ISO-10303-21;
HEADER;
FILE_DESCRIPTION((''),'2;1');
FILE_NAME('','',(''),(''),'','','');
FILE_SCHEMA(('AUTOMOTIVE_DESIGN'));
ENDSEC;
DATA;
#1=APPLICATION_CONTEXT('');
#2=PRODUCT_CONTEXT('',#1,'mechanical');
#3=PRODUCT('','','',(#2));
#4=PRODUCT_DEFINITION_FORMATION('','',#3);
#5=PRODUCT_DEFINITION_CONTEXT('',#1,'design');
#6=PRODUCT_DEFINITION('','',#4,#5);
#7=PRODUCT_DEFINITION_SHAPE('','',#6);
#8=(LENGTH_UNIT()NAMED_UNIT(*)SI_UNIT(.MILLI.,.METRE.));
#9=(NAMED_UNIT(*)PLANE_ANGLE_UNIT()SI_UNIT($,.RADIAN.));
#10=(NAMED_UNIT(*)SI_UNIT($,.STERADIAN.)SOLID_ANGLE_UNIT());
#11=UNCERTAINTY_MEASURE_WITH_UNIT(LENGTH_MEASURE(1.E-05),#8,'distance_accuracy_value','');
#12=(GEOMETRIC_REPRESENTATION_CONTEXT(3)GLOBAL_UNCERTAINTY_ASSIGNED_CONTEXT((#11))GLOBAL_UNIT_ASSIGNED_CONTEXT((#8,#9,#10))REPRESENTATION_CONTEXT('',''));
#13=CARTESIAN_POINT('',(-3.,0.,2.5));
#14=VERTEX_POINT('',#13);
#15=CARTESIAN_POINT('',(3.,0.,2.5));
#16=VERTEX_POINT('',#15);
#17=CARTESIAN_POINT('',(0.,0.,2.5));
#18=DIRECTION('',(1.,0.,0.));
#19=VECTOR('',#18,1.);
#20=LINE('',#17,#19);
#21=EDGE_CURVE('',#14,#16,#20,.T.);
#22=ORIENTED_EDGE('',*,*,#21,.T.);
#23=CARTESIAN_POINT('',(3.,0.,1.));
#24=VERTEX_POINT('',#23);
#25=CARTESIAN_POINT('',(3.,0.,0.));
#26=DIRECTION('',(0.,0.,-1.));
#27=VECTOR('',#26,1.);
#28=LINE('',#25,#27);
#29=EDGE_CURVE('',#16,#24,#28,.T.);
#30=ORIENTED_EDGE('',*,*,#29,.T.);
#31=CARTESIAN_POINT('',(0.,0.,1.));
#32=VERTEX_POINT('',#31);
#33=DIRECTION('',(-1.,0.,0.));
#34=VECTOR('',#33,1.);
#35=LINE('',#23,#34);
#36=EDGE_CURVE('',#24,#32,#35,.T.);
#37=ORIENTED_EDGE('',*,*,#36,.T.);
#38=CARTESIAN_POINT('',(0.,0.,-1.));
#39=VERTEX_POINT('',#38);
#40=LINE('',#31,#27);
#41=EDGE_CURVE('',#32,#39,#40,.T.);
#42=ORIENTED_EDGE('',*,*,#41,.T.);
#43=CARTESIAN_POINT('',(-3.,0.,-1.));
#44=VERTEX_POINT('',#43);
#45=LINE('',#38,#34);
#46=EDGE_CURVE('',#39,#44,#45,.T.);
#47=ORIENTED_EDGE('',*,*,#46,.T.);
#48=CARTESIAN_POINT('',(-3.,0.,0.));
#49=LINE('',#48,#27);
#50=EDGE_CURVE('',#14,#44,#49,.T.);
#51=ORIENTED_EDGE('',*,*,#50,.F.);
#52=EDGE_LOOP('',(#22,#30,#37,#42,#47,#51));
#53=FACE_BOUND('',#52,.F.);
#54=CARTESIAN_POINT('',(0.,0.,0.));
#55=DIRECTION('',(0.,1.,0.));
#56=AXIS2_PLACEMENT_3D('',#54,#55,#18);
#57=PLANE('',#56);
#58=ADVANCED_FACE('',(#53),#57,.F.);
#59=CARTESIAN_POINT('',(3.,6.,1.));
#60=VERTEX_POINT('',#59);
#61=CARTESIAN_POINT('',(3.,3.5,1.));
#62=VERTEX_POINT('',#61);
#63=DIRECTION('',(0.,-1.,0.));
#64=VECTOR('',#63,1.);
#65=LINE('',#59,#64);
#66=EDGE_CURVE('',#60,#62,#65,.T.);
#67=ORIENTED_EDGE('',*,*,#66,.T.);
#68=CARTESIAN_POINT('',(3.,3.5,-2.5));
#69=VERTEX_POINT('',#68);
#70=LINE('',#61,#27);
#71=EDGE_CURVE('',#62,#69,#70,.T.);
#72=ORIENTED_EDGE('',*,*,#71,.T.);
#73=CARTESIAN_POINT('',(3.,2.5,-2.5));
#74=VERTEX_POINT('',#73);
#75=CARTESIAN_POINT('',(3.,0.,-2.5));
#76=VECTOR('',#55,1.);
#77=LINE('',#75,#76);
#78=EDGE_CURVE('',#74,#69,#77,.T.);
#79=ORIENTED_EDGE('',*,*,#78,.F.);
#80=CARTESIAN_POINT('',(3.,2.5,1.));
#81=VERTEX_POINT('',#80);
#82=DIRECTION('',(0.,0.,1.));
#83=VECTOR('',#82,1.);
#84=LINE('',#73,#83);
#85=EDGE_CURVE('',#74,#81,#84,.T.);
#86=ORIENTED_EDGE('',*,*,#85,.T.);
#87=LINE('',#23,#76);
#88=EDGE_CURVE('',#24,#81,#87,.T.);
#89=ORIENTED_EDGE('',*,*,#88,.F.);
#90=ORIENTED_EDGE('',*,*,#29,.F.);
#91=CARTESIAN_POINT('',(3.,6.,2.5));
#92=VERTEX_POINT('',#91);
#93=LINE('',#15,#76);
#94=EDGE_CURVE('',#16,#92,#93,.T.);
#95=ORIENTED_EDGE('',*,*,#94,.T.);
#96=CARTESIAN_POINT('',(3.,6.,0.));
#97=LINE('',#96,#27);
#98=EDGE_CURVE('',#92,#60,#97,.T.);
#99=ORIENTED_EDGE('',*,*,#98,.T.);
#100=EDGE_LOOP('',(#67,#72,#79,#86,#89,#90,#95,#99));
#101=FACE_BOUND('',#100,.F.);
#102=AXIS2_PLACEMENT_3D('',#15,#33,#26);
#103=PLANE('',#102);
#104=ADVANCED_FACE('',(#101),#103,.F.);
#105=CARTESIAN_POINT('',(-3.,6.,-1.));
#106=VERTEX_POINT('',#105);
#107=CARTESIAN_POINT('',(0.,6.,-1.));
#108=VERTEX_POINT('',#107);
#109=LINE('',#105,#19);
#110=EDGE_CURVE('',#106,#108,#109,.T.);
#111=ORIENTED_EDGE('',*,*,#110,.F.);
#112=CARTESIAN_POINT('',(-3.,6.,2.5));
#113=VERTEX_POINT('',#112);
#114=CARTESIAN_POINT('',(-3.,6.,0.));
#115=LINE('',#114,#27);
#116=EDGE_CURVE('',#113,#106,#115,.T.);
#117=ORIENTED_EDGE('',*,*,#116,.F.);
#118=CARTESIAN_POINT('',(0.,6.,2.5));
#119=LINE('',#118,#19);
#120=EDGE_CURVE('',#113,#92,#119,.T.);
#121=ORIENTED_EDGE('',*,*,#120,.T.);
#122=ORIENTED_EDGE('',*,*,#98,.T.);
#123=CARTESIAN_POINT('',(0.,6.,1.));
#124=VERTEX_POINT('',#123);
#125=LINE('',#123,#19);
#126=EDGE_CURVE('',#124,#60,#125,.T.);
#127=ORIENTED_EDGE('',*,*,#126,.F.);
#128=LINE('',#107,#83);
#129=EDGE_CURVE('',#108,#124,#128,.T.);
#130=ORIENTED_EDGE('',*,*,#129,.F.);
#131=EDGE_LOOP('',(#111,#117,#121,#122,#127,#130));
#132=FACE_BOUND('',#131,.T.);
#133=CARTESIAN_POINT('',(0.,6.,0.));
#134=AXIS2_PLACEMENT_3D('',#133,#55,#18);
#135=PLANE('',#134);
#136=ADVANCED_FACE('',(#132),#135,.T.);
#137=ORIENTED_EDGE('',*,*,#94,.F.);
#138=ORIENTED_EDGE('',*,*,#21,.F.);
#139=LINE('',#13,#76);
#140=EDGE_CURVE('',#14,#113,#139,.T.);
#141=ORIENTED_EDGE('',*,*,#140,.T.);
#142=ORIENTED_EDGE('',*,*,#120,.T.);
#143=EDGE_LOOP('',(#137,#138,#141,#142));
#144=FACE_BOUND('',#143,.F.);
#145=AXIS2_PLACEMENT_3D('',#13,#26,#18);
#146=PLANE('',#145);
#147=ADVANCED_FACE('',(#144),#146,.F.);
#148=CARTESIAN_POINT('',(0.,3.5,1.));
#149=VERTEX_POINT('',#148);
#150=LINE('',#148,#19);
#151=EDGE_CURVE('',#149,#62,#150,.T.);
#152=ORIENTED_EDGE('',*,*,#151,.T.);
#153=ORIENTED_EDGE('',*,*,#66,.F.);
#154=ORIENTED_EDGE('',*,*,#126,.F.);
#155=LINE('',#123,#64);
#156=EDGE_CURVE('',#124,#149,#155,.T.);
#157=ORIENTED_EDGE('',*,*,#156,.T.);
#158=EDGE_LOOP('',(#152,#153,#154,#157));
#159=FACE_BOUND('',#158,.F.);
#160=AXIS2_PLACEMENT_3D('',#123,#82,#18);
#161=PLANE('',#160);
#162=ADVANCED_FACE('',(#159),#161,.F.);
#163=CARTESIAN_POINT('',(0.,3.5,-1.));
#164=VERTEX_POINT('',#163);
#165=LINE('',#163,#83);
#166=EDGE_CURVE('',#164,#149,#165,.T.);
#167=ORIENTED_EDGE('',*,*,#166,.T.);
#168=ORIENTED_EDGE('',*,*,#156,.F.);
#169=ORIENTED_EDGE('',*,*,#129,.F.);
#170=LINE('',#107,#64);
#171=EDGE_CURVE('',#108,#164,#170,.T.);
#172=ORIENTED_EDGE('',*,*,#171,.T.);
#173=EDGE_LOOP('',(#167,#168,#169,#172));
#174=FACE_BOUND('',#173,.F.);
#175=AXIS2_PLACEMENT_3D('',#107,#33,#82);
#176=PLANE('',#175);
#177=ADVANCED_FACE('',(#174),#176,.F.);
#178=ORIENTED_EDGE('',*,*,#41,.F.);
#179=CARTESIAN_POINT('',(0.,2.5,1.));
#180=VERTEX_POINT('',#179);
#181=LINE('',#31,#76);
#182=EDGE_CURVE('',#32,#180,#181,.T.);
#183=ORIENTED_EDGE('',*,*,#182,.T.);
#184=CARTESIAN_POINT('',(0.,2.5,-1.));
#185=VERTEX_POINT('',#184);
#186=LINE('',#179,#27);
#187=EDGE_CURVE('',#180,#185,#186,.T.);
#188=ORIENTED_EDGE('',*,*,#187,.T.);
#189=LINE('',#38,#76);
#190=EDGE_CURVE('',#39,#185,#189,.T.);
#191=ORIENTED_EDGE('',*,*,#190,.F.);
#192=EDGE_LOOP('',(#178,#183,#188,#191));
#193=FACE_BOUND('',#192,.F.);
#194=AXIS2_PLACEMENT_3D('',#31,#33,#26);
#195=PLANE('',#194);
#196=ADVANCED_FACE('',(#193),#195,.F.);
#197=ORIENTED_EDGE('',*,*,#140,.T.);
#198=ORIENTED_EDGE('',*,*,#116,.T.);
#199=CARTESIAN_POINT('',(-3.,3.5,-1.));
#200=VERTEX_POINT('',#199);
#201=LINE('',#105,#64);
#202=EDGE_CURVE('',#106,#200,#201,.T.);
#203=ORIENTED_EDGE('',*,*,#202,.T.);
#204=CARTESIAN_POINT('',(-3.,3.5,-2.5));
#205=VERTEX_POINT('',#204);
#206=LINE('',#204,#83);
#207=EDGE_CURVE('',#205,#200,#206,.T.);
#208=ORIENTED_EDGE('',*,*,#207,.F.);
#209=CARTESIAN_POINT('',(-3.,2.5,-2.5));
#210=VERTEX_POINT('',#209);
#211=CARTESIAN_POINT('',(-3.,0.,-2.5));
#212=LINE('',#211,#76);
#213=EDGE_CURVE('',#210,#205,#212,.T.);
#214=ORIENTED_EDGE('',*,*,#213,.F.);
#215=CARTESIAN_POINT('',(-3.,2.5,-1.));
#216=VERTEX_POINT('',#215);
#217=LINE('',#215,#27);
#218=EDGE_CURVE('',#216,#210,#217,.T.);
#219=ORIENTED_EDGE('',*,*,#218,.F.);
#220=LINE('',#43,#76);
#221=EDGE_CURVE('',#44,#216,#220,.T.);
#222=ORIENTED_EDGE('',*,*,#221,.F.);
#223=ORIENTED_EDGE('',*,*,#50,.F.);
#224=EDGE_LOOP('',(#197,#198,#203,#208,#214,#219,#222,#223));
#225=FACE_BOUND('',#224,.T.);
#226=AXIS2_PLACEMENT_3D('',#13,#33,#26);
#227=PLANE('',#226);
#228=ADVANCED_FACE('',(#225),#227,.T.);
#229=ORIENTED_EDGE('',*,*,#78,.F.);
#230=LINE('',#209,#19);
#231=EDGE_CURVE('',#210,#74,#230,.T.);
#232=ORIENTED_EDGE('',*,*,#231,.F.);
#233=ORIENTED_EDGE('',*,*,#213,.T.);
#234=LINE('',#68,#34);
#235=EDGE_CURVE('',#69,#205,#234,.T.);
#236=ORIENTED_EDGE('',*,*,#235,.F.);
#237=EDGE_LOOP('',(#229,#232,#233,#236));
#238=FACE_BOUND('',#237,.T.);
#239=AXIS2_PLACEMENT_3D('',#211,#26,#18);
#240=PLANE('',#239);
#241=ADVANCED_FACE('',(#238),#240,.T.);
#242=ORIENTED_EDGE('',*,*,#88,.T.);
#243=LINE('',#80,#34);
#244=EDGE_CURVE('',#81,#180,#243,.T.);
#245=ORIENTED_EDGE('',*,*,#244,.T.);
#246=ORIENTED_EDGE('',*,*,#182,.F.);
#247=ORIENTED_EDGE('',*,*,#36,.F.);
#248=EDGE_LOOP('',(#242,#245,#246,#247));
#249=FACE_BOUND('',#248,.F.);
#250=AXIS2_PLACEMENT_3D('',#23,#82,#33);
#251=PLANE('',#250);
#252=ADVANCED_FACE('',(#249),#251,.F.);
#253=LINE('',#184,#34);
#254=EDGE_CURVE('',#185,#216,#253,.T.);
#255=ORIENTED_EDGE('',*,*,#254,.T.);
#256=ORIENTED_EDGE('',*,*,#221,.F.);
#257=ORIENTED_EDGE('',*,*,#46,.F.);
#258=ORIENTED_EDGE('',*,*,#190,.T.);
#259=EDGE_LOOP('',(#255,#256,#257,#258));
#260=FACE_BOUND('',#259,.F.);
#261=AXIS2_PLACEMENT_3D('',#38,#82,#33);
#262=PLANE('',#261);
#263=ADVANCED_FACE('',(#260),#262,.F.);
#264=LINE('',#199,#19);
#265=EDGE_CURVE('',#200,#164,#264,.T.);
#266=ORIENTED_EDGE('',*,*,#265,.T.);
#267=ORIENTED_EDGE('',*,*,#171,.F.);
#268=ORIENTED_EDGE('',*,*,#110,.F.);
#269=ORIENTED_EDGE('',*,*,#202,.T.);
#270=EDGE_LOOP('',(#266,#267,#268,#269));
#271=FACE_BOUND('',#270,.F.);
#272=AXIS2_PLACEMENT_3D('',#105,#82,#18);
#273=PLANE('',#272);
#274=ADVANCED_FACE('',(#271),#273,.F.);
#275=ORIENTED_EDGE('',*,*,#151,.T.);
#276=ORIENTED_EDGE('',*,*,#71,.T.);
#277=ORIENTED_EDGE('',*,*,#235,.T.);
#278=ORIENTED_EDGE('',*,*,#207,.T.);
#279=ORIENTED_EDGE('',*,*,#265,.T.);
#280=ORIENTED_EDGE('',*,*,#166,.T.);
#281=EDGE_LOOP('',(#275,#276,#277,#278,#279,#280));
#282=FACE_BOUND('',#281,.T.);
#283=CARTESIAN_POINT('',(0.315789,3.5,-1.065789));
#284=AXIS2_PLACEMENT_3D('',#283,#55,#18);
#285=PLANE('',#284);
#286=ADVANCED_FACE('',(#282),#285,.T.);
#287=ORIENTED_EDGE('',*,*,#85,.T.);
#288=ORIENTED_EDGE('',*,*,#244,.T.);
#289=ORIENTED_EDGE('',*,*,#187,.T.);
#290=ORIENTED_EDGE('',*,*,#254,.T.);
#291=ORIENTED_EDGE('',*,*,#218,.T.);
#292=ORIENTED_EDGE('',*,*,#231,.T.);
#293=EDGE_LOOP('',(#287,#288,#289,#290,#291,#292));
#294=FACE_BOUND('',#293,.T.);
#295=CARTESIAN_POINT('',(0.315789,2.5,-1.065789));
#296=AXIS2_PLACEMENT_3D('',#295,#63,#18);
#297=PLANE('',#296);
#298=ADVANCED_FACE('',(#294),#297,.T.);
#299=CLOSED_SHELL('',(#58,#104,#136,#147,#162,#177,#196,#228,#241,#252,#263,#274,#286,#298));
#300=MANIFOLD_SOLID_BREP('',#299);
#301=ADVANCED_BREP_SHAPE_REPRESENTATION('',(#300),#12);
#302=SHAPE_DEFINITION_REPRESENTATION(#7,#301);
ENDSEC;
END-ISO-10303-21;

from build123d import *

# Parameters (mm, degrees)
SKETCH1_W           = 6
SKETCH1_H           = 5
BOSS_EXTRUDE1_DEPTH = 6
CUT_EXTRUDE1_DEPTH  = 2.5
CUT_EXTRUDE2_DEPTH  = 2.5


with BuildPart() as part:
    # Sketch1 → Boss-Extrude1 (new body)
    with BuildSketch(Plane(origin=(0, 0, 0), x_dir=(1, 0, 0), z_dir=(0, 1, 0))):
        Rectangle(SKETCH1_W, SKETCH1_H)
    extrude(amount=BOSS_EXTRUDE1_DEPTH)

    # Sketch2 → Cut-Extrude1 (cut)
    with BuildSketch(Plane(origin=(0, 6, 0), x_dir=(1, 0, 0), z_dir=(0, 1, 0))):
        Polygon((0, -1), (3, -1), (3, 2.5), (-3, 2.5), (-3, 1), (0, 1), align=None)
    extrude(amount=-CUT_EXTRUDE1_DEPTH, mode=Mode.SUBTRACT)

    # Sketch3 → Cut-Extrude2 (cut)
    with BuildSketch(Plane.XZ):
        Polygon((3, -2.5), (3, 1), (0, 1), (0, -1), (-3, -1), (-3, -2.5), align=None)
    extrude(amount=-CUT_EXTRUDE2_DEPTH, mode=Mode.SUBTRACT)


solid = part.part
